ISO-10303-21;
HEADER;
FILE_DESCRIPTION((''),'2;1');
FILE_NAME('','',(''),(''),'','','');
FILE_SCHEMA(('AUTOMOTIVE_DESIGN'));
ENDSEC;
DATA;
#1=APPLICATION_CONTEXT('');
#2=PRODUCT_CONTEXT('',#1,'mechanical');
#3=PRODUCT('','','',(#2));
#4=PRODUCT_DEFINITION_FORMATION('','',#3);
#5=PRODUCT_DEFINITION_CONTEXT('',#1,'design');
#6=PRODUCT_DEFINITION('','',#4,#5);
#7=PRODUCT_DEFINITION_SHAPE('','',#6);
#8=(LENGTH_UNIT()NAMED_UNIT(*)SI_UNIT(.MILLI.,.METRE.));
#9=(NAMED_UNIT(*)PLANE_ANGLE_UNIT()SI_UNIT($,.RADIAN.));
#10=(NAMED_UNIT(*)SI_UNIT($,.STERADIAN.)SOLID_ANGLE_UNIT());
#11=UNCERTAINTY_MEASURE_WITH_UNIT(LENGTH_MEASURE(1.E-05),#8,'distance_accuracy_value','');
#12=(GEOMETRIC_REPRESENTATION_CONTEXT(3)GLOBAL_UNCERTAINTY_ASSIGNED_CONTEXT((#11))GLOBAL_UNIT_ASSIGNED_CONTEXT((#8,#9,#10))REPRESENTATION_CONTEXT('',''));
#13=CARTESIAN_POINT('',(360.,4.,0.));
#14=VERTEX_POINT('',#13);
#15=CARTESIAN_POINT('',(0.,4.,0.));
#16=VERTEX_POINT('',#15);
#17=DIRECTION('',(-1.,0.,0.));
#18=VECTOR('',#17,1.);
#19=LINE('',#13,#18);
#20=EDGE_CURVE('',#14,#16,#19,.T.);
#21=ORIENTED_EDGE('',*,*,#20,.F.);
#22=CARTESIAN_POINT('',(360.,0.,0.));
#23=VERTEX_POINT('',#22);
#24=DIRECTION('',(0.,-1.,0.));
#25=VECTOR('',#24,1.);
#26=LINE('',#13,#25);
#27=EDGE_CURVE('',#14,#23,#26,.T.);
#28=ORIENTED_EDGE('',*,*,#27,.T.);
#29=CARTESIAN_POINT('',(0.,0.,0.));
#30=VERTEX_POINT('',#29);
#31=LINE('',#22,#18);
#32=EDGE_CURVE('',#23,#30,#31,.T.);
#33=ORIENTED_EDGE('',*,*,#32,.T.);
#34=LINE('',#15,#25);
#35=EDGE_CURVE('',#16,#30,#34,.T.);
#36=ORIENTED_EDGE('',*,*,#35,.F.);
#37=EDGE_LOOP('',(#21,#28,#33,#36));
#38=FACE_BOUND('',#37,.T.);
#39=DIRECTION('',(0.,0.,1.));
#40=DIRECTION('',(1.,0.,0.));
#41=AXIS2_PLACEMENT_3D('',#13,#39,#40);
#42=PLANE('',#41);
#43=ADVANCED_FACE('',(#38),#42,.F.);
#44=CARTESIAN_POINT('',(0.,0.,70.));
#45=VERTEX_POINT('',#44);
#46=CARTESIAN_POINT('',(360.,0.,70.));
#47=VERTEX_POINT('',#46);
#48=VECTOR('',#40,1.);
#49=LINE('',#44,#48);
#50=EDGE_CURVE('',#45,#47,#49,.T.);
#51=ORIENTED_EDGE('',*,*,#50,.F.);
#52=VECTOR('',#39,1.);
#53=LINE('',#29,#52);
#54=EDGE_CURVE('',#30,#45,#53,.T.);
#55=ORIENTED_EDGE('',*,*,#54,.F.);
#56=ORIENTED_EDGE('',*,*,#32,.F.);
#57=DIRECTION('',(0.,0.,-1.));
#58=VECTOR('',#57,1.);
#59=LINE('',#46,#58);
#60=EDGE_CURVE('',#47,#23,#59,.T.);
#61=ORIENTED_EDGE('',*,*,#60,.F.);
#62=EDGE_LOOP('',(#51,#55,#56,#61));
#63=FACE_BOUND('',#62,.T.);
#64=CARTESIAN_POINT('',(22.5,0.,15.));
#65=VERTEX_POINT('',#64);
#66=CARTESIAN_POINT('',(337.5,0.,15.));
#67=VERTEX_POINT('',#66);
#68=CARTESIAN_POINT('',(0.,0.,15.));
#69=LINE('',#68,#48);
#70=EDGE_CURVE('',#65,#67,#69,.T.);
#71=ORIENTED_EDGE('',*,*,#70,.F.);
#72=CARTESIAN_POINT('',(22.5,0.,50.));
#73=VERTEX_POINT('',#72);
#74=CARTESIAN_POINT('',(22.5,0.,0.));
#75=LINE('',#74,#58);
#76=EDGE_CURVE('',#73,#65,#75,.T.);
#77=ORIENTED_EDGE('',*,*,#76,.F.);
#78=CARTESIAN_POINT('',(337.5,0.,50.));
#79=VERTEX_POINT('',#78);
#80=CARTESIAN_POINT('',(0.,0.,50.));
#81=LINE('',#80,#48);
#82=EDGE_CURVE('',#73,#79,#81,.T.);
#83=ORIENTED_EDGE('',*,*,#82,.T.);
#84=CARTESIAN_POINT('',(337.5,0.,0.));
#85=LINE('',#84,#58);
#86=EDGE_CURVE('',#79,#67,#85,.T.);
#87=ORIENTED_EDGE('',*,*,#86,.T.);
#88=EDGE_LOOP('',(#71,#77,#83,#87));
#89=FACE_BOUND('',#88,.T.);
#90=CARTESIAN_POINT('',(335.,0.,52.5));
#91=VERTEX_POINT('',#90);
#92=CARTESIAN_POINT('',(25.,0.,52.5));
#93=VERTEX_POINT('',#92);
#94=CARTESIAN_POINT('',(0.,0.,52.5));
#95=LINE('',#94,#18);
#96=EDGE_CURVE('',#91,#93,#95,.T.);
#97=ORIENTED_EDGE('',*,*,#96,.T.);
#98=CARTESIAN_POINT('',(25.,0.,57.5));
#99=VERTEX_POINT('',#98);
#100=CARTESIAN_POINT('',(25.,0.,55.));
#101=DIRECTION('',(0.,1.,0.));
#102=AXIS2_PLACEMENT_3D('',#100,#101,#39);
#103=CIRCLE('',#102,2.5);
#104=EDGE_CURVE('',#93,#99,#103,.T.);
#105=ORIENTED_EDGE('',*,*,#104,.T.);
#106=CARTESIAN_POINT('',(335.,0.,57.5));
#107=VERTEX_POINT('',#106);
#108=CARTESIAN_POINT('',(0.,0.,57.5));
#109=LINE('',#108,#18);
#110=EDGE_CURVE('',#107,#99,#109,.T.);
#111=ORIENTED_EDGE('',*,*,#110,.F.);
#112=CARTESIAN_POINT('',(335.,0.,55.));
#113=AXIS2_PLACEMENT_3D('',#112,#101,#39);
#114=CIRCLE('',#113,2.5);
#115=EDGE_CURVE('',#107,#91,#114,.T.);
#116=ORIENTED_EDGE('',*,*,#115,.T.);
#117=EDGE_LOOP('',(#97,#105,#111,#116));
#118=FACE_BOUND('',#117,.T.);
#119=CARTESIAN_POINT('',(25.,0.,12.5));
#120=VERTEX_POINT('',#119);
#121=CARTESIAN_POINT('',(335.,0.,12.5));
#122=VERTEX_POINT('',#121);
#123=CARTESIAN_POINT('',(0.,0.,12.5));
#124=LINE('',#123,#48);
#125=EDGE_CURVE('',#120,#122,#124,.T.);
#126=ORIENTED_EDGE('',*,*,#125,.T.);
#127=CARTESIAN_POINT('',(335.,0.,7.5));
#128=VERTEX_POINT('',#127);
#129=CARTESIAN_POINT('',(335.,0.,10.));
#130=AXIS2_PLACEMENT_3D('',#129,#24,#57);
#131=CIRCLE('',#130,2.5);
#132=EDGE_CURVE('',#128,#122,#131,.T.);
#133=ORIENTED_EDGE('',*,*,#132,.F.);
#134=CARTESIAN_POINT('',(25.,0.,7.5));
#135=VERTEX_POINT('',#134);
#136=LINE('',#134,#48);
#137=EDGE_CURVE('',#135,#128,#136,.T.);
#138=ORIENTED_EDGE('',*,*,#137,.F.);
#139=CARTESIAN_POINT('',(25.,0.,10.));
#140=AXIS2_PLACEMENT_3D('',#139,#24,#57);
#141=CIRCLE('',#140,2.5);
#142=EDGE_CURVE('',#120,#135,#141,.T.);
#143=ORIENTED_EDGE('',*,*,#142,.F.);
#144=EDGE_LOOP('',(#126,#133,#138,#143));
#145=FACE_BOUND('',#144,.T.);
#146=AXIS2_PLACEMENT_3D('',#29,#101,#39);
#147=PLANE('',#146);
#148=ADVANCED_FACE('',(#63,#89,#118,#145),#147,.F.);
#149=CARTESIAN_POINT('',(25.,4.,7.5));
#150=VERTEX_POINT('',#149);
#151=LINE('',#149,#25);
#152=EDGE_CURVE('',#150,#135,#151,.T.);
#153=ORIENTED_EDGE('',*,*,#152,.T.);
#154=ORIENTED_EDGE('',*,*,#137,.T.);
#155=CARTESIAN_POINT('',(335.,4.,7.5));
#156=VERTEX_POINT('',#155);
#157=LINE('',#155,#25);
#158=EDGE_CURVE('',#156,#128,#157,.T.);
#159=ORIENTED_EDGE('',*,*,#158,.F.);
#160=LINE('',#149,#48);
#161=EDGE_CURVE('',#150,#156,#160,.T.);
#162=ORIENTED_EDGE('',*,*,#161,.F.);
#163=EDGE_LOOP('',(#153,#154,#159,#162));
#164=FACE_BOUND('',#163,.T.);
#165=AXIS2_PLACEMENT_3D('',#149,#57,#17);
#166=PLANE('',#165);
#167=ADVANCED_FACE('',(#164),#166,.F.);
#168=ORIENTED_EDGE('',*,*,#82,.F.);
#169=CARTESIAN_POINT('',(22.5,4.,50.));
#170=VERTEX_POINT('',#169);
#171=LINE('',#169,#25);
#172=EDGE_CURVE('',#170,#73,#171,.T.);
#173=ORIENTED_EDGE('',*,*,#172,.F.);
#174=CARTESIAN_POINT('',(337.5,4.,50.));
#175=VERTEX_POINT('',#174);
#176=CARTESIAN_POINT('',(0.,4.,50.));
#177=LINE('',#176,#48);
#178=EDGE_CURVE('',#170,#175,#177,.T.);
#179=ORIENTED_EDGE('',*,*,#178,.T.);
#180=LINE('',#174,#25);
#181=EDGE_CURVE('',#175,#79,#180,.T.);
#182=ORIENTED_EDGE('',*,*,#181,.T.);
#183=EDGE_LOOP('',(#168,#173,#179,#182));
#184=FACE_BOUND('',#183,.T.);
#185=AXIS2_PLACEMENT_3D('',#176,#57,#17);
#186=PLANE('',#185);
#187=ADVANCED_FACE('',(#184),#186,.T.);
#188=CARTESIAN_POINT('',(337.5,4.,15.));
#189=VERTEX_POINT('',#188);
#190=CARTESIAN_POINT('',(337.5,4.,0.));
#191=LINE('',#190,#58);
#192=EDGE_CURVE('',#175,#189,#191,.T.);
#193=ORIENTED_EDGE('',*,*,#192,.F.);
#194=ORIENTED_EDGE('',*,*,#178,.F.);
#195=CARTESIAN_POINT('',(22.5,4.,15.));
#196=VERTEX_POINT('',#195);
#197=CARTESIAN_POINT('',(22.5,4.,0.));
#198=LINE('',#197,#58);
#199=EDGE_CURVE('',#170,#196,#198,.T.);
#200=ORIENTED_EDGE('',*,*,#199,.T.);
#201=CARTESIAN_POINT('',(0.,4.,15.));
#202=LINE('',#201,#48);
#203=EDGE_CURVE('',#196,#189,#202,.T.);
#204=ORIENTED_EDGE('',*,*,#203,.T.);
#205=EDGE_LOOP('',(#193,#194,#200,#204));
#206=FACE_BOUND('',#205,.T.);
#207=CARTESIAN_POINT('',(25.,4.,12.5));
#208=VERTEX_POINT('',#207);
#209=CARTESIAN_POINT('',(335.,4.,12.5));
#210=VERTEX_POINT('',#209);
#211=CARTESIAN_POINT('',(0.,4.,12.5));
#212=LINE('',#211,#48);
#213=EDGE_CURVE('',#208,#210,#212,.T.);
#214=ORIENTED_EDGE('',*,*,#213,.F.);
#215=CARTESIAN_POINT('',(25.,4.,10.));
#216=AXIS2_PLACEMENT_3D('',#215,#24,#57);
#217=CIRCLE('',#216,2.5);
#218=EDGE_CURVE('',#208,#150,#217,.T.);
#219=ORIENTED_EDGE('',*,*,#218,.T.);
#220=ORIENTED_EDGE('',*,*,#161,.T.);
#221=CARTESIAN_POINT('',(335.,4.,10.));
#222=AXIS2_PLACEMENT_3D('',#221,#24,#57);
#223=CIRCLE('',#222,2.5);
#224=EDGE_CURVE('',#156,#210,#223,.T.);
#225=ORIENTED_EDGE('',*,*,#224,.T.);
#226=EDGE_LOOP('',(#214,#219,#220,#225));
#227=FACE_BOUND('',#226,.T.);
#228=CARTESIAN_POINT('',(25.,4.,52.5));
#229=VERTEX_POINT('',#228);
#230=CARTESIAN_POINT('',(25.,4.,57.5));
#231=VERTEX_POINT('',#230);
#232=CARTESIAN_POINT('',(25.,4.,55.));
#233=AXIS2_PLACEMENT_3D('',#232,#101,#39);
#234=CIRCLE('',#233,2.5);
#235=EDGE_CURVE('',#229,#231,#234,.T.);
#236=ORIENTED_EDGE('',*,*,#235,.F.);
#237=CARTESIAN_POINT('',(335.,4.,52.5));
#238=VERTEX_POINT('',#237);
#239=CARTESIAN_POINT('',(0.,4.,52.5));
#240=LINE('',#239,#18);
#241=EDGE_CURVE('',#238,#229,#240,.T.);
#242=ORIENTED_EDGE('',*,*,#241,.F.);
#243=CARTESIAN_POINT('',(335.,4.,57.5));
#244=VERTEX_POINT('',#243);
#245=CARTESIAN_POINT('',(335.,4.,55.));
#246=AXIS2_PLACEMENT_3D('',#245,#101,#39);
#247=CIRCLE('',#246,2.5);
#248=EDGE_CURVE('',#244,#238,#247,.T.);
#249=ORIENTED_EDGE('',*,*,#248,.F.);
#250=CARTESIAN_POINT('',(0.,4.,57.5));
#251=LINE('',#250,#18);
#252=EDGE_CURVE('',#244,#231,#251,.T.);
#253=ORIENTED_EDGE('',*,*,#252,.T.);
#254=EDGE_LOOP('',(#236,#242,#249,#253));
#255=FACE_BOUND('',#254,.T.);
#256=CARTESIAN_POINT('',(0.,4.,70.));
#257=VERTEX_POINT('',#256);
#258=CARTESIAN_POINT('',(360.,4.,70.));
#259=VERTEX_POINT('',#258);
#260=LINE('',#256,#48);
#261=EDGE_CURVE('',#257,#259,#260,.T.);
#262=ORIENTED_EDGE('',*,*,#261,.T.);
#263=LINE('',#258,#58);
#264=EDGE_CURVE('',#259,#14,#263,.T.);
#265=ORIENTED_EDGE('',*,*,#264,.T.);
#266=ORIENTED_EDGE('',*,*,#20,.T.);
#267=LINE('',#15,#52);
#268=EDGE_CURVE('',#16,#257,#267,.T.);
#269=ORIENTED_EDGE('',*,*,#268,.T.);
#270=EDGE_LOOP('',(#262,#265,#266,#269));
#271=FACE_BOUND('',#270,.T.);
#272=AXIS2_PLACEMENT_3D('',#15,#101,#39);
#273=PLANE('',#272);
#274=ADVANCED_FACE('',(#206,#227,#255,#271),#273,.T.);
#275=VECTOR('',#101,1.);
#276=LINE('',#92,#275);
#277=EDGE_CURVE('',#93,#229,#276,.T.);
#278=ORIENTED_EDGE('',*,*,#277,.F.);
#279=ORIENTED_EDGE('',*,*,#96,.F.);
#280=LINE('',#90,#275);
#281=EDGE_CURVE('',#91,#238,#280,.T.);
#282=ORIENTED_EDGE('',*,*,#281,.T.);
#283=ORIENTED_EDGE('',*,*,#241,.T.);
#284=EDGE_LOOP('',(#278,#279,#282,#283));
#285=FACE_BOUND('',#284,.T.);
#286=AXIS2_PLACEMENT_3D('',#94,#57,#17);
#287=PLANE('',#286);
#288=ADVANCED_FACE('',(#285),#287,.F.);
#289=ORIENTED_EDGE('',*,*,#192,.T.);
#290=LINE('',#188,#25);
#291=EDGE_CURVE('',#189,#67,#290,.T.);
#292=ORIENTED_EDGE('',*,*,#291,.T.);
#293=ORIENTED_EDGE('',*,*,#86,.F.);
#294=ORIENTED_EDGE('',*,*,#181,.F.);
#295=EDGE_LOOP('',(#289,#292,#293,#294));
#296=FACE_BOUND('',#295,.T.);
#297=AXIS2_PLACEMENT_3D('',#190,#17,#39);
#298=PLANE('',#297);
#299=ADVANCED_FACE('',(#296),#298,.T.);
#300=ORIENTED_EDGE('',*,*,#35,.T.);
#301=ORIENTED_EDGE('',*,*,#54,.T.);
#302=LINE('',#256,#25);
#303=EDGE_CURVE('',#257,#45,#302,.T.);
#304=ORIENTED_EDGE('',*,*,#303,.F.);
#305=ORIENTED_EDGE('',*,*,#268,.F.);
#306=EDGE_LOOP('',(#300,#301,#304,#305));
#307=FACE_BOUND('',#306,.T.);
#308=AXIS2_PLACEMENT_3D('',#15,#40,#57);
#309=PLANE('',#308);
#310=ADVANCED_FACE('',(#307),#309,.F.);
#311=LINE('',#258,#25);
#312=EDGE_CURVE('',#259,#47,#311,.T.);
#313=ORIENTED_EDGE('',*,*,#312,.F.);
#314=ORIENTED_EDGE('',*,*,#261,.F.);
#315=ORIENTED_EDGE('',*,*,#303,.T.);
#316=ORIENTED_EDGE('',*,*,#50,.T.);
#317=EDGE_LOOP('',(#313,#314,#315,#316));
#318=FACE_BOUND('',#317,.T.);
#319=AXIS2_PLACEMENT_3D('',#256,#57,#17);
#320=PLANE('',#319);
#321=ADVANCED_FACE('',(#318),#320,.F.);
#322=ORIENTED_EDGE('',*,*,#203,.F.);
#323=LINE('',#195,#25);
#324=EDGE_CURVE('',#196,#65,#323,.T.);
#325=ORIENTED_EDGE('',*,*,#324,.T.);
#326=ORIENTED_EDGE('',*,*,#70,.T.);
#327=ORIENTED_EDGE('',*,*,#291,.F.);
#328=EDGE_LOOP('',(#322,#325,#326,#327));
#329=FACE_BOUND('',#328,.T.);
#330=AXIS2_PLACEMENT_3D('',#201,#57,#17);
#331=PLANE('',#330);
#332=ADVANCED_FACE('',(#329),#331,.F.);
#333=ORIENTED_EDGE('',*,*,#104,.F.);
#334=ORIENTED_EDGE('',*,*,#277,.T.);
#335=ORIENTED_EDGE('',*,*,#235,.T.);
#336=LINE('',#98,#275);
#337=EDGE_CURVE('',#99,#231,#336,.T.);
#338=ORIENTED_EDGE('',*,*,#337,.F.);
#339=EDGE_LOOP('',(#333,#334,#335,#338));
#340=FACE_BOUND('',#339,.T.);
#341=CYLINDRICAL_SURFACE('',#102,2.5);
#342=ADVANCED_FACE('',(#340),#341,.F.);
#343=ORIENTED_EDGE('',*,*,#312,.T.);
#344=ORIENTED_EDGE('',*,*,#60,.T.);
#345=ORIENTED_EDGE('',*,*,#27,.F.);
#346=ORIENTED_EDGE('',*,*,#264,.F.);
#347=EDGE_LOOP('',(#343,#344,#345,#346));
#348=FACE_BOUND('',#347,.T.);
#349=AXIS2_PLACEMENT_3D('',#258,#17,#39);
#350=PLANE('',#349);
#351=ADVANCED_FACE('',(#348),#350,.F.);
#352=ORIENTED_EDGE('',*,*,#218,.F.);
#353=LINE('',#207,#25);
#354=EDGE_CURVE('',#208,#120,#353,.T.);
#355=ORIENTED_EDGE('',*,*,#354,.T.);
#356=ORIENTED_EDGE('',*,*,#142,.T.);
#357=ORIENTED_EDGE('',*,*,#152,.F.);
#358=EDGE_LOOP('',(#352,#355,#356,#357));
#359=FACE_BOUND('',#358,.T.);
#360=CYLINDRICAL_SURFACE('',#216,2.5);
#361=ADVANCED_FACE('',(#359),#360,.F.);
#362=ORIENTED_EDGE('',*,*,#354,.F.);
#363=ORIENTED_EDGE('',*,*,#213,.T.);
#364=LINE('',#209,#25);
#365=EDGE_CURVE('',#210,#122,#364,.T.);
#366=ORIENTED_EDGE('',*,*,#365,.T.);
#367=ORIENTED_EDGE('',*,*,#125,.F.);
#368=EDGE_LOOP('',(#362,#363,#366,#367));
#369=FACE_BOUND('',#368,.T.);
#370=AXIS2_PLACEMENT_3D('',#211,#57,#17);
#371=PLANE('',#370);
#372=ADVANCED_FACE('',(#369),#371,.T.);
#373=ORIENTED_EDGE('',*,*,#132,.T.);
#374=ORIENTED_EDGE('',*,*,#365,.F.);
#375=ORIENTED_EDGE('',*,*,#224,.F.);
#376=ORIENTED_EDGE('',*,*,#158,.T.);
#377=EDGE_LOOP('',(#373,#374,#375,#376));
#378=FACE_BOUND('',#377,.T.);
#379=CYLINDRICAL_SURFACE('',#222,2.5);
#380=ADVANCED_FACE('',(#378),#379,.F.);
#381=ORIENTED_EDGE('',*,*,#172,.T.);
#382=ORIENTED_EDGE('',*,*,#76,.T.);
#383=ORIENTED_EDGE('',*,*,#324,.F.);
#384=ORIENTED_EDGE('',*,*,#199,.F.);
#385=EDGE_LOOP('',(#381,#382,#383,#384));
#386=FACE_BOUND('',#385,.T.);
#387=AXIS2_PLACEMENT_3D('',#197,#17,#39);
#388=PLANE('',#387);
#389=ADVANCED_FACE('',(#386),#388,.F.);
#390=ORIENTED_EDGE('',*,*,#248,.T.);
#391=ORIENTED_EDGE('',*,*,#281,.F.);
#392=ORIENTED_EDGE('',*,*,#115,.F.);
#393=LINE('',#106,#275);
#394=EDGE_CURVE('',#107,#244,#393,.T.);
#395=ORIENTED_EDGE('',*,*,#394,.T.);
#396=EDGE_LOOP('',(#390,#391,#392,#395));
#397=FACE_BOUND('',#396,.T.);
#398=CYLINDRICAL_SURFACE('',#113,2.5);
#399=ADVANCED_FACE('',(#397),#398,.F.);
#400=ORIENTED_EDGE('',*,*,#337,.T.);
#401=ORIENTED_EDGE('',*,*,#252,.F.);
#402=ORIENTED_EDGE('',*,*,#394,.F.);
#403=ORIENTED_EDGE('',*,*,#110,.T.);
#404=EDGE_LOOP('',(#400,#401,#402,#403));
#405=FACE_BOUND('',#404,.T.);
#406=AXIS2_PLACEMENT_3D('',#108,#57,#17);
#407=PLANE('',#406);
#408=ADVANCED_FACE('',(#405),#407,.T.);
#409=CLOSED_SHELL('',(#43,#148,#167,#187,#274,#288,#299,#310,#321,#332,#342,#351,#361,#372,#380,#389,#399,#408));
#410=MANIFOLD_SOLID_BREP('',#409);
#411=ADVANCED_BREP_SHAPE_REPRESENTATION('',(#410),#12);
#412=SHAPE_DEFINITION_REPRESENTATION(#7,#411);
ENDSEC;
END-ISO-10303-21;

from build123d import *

# Parameters (mm, degrees)
SKETCH_1_W          = 360
SKETCH_1_H          = 70
EXTRUDE_1_DEPTH     = 4
CUT_EXTRUDE_1_DEPTH = 367.764229444
CUT_EXTRUDE_2_DEPTH = 367.764229444
SKETCH_4_W          = 310
SKETCH_4_H          = 35
SKETCH_4_W_2        = 2.5
CUT_EXTRUDE_3_DEPTH = 367.764229444


with BuildPart() as part:
    # 草图1 → 凸台-拉伸1 (new body)
    with BuildSketch(Plane(origin=(0, 0, 0), x_dir=(1, 0, 0), z_dir=(0, 1, 0))):
        with Locations((180, -35)):
            Rectangle(SKETCH_1_W, SKETCH_1_H)
    extrude(amount=EXTRUDE_1_DEPTH)

    # 草图2 → 切除-拉伸1 (cut, through all)
    with BuildSketch(Plane(origin=(0, 4, 0), x_dir=(1, 0, 0), z_dir=(0, 1, 0))):
        with BuildLine():
            Line((22.5, -55), (25, -55))
            Line((25, -55), (335, -55))
            Line((335, -55), (337.5, -55))
            ThreePointArc((337.5, -55), (336.767766953, -53.232233047), (335, -52.5))
            Line((335, -52.5), (25, -52.5))
            ThreePointArc((25, -52.5), (23.232233047, -53.232233047), (22.5, -55))
        make_face()
        with BuildLine():
            Line((335, -55), (25, -55))
            Line((25, -55), (22.5, -55))
            ThreePointArc((22.5, -55), (23.232233047, -56.767766953), (25, -57.5))
            Line((25, -57.5), (335, -57.5))
            ThreePointArc((335, -57.5), (336.767766953, -56.767766953), (337.5, -55))
            Line((337.5, -55), (335, -55))
        make_face()
    extrude(amount=-CUT_EXTRUDE_1_DEPTH, mode=Mode.SUBTRACT)

    # 草图3 → 切除-拉伸2 (cut, through all)
    with BuildSketch(Plane.XZ):
        with BuildLine():
            Line((25, 12.5), (335, 12.5))
            ThreePointArc((335, 12.5), (337.5, 10), (335, 7.5))
            Line((335, 7.5), (25, 7.5))
            ThreePointArc((25, 7.5), (22.5, 10), (25, 12.5))
        make_face()
    extrude(amount=-CUT_EXTRUDE_2_DEPTH, mode=Mode.SUBTRACT)

    # 草图4 → 切除-拉伸3 (cut, through all)
    with BuildSketch(Plane.XZ):
        with Locations((180, 32.5)):
            Rectangle(SKETCH_4_W, SKETCH_4_H)
        with Locations((23.75, 32.5)):
            Rectangle(SKETCH_4_W_2, SKETCH_4_H)
        with Locations((336.25, 32.5)):
            Rectangle(SKETCH_4_W_2, SKETCH_4_H)
    extrude(amount=-CUT_EXTRUDE_3_DEPTH, mode=Mode.SUBTRACT)


solid = part.part
